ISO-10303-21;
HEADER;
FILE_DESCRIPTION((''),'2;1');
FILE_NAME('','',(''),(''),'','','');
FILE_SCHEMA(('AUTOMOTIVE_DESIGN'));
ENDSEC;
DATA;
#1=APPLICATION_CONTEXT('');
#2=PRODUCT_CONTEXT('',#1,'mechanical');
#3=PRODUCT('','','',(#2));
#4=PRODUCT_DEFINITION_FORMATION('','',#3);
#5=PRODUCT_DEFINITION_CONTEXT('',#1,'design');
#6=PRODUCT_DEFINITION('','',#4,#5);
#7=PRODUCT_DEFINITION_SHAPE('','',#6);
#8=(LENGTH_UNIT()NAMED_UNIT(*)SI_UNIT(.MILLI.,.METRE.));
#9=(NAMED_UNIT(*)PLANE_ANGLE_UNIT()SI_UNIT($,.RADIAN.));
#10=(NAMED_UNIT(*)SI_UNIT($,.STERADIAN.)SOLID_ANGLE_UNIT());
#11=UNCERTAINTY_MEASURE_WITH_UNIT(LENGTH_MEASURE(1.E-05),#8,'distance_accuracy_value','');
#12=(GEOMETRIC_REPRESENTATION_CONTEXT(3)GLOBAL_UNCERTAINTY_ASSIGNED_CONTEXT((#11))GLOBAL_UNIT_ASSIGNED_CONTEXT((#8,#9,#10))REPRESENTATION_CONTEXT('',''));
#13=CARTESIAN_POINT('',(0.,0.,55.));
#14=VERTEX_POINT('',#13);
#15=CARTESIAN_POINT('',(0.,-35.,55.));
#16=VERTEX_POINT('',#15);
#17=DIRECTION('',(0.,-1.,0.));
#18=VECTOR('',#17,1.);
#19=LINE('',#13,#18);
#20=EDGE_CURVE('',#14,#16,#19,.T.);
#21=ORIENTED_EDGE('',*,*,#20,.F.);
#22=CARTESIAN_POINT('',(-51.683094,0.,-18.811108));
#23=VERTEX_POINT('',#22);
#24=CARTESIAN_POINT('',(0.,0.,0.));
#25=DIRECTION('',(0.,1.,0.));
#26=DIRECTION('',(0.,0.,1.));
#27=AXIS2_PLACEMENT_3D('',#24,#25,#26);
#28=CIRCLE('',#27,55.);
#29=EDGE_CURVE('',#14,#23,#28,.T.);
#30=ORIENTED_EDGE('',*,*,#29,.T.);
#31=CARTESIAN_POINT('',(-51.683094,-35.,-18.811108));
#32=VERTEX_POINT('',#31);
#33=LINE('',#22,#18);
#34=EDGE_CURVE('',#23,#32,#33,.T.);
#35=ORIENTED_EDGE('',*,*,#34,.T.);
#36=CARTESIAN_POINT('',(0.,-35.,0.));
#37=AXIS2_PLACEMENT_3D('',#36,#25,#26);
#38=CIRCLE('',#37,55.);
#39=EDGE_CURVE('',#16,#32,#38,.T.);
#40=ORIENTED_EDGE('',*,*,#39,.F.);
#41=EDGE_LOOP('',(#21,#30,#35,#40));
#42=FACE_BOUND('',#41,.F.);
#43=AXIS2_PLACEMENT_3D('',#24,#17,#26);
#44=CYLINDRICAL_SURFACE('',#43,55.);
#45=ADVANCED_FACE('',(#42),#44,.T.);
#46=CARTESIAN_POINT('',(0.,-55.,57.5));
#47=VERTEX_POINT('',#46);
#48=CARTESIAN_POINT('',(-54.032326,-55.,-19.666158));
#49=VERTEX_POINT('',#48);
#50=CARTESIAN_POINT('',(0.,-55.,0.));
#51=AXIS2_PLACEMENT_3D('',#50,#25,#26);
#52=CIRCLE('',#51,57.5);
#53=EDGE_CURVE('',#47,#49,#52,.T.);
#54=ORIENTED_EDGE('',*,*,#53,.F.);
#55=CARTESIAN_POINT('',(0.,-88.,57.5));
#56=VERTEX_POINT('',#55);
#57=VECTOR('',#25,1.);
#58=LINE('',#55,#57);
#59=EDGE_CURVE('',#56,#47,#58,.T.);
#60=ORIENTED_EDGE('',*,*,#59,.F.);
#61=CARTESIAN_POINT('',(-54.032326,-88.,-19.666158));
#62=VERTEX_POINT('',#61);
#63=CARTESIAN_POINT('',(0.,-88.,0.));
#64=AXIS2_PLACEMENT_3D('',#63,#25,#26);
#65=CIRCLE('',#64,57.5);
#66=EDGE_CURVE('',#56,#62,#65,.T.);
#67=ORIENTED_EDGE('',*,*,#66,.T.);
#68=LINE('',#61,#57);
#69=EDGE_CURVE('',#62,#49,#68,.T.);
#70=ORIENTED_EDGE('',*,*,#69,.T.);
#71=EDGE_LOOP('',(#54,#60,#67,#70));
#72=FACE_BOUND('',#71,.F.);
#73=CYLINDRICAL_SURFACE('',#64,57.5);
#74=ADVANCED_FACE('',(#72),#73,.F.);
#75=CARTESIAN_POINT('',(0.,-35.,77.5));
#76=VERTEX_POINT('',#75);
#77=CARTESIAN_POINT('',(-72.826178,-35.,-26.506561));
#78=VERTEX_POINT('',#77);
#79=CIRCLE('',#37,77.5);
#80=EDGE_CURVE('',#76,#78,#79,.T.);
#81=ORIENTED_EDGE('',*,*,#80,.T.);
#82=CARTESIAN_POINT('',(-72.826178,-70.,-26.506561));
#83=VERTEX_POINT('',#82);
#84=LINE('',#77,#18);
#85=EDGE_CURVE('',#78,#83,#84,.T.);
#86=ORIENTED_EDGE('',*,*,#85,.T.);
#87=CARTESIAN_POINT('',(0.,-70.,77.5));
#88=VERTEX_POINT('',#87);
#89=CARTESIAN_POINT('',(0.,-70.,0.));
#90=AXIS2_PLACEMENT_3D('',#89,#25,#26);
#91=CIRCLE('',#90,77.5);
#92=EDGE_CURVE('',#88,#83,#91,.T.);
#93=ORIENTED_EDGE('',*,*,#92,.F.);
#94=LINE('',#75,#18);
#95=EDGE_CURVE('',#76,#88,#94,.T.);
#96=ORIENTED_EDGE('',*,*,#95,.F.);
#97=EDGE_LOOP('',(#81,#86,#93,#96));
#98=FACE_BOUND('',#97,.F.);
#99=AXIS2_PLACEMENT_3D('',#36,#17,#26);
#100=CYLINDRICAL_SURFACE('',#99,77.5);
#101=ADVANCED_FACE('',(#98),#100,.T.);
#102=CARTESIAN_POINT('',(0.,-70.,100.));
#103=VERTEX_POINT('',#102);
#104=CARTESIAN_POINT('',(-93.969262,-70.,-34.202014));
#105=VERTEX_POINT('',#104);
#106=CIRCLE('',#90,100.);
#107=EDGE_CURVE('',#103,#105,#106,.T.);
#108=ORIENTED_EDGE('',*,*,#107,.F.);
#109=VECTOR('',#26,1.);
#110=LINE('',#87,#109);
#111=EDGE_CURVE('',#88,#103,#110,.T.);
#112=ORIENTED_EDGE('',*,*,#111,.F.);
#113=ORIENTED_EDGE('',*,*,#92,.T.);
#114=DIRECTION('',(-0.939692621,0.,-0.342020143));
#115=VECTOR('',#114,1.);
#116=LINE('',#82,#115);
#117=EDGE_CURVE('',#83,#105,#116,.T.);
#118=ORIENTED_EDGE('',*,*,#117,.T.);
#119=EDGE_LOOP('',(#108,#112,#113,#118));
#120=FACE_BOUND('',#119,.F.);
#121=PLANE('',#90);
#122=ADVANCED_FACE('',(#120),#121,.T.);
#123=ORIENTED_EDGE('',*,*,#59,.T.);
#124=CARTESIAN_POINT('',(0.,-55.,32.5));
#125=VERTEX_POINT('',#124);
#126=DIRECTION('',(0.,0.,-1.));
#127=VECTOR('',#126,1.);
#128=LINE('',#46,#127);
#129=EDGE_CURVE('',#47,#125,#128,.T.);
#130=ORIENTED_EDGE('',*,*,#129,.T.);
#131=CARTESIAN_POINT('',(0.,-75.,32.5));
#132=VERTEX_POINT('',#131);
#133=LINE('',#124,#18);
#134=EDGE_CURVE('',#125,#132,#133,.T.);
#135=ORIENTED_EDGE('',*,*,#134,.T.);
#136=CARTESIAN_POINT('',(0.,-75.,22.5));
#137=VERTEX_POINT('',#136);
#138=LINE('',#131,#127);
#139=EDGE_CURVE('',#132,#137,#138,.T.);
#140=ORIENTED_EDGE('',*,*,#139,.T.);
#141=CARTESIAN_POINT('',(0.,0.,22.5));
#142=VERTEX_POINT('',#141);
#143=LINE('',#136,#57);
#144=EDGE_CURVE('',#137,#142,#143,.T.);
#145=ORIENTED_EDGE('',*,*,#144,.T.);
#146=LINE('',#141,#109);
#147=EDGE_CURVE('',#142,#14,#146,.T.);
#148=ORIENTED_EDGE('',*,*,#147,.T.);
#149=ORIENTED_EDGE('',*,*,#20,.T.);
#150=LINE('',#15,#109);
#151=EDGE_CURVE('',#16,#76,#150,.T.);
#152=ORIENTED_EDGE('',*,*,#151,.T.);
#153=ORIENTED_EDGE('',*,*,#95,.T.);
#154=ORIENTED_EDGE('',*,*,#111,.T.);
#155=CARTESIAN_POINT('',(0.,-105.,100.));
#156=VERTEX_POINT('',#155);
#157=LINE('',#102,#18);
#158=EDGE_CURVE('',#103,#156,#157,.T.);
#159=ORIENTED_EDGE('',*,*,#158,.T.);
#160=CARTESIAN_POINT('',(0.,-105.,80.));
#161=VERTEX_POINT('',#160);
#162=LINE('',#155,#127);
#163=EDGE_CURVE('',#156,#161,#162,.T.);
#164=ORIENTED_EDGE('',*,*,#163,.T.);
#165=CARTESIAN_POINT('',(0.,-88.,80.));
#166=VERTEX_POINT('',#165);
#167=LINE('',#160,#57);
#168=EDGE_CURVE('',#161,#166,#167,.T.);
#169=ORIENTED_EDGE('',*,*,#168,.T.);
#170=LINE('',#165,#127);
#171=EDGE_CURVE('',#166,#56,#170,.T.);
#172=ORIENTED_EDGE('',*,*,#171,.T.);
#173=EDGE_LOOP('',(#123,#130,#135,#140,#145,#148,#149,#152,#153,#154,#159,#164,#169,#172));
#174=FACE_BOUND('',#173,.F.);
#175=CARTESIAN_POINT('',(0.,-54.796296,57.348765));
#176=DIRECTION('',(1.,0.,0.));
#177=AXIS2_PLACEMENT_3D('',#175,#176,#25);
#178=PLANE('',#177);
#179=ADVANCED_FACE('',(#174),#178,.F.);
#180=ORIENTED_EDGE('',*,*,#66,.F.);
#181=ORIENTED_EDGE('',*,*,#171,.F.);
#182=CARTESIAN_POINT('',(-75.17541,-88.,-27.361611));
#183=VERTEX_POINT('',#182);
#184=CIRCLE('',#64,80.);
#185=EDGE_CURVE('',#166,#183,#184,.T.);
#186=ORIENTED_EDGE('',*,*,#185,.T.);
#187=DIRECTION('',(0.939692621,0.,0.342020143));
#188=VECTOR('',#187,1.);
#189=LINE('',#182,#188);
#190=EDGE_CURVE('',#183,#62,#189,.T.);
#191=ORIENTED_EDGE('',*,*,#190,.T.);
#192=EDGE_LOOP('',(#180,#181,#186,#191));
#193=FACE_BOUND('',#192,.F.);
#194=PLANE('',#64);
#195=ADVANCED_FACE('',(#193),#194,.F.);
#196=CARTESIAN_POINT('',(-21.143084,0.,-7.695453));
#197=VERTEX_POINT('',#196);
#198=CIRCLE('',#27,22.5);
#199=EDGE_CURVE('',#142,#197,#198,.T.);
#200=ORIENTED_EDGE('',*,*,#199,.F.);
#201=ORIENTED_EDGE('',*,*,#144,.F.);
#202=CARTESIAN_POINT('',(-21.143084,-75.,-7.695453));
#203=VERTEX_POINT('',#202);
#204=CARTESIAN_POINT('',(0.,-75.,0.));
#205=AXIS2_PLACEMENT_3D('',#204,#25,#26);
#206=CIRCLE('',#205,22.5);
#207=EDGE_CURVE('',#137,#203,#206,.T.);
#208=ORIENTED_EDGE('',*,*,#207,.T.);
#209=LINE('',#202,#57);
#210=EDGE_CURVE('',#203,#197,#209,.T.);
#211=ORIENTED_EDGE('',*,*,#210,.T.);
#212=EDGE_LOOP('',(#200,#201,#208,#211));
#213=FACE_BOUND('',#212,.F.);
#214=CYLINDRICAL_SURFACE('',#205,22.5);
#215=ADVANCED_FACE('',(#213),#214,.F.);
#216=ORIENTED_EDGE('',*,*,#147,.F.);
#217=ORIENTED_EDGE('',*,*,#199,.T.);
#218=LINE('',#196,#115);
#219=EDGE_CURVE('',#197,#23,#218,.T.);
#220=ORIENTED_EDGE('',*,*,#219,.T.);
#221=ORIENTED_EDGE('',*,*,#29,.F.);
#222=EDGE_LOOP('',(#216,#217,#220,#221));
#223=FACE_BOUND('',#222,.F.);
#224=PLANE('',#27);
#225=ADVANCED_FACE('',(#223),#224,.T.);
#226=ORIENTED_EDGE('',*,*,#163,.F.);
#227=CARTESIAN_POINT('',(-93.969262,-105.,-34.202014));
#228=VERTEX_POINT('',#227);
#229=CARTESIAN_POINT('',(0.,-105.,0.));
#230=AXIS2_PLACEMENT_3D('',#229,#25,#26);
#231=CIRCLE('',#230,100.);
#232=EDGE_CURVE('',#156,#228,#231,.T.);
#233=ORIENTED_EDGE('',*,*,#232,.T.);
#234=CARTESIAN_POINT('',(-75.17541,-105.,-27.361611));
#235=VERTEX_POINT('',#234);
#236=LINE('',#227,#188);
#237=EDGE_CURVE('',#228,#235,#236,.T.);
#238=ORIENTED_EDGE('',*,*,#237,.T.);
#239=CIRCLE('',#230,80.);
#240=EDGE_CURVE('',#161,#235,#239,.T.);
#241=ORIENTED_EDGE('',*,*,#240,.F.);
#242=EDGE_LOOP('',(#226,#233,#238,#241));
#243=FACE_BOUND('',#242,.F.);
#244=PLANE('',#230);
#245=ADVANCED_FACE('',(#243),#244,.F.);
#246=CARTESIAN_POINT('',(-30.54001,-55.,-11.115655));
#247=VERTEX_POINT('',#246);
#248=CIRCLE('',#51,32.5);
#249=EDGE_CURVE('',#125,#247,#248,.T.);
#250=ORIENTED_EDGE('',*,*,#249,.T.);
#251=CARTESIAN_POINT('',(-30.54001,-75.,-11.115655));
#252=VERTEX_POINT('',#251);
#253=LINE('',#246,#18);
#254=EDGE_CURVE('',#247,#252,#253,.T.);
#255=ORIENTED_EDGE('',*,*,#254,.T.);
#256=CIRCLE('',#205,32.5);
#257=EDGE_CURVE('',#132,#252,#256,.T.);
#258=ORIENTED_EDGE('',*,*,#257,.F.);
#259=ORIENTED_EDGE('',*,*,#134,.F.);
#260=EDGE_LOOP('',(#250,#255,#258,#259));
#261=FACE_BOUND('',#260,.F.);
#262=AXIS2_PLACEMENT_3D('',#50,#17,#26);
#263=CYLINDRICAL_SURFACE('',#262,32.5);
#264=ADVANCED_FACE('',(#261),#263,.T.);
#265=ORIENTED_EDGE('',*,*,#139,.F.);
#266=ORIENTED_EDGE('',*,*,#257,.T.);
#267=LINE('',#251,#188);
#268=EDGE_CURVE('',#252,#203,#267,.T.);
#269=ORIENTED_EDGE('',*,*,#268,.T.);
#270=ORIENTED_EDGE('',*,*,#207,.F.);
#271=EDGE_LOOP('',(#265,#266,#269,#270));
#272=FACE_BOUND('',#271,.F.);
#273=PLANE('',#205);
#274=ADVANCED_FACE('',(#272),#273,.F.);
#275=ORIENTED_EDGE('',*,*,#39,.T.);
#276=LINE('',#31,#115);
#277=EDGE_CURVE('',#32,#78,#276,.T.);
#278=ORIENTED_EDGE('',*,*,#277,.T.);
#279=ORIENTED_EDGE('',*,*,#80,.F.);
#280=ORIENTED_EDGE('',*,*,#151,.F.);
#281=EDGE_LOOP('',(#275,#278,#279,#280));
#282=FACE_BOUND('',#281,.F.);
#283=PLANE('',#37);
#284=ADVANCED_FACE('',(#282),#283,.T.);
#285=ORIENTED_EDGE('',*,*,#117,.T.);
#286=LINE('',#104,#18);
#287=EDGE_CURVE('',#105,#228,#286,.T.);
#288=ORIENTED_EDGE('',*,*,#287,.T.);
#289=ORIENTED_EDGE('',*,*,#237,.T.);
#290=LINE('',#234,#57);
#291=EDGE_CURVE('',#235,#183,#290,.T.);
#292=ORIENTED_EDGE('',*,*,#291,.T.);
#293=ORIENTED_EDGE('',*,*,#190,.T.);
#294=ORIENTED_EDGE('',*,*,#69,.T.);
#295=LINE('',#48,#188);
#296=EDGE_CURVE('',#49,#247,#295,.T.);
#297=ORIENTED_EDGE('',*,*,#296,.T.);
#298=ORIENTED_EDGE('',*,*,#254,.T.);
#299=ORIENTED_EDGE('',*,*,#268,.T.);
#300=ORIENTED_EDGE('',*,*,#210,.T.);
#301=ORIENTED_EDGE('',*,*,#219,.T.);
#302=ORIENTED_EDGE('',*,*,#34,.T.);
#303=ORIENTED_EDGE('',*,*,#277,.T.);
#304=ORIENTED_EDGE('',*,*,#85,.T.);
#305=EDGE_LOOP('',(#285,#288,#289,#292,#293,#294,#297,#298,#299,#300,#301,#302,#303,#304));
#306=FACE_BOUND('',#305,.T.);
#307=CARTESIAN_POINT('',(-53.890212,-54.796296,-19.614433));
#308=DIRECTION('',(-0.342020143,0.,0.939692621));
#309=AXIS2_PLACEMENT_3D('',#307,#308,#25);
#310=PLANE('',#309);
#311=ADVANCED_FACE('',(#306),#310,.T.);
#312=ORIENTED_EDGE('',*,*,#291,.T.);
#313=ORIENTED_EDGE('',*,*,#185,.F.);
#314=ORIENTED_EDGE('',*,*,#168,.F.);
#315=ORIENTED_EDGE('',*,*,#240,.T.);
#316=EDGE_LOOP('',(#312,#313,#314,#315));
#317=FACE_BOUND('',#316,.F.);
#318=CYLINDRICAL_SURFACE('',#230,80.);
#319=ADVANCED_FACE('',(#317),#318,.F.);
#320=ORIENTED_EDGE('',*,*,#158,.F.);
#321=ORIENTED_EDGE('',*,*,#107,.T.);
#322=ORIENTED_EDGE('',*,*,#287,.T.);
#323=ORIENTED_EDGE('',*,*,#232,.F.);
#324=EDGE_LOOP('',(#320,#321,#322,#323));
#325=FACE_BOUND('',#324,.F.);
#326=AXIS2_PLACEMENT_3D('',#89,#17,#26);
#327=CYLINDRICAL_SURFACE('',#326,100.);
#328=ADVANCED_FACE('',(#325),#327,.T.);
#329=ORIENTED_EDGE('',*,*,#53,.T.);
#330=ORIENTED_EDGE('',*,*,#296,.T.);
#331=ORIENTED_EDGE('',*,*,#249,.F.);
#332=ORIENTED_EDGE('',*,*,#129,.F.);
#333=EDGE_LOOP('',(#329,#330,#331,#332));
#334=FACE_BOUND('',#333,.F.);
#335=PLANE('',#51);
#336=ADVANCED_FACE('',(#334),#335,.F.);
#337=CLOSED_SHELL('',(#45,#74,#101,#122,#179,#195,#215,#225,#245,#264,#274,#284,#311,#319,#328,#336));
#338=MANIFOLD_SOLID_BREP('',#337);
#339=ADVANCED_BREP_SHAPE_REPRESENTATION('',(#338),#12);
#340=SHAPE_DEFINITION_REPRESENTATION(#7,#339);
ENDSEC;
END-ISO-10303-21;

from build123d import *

# Parameters (mm, degrees)
REVOLUTION_ANGLE = 250


with BuildPart() as part:
    # Sketch → Revolution (revolve)
    with BuildSketch(Plane.YZ):
        Polygon((-75, 22.5), (0, 22.5), (0, 55), (-35, 55), (-35, 77.5), (-70, 77.5), (-70, 100), (-105, 100), (-105, 80), (-88, 80), (-88, 57.5), (-55, 57.5), (-55, 32.5), (-75, 32.5), align=None)
    revolve(axis=Axis((0, 0, 0), (0, 1, 0)), revolution_arc=REVOLUTION_ANGLE)


solid = part.part
